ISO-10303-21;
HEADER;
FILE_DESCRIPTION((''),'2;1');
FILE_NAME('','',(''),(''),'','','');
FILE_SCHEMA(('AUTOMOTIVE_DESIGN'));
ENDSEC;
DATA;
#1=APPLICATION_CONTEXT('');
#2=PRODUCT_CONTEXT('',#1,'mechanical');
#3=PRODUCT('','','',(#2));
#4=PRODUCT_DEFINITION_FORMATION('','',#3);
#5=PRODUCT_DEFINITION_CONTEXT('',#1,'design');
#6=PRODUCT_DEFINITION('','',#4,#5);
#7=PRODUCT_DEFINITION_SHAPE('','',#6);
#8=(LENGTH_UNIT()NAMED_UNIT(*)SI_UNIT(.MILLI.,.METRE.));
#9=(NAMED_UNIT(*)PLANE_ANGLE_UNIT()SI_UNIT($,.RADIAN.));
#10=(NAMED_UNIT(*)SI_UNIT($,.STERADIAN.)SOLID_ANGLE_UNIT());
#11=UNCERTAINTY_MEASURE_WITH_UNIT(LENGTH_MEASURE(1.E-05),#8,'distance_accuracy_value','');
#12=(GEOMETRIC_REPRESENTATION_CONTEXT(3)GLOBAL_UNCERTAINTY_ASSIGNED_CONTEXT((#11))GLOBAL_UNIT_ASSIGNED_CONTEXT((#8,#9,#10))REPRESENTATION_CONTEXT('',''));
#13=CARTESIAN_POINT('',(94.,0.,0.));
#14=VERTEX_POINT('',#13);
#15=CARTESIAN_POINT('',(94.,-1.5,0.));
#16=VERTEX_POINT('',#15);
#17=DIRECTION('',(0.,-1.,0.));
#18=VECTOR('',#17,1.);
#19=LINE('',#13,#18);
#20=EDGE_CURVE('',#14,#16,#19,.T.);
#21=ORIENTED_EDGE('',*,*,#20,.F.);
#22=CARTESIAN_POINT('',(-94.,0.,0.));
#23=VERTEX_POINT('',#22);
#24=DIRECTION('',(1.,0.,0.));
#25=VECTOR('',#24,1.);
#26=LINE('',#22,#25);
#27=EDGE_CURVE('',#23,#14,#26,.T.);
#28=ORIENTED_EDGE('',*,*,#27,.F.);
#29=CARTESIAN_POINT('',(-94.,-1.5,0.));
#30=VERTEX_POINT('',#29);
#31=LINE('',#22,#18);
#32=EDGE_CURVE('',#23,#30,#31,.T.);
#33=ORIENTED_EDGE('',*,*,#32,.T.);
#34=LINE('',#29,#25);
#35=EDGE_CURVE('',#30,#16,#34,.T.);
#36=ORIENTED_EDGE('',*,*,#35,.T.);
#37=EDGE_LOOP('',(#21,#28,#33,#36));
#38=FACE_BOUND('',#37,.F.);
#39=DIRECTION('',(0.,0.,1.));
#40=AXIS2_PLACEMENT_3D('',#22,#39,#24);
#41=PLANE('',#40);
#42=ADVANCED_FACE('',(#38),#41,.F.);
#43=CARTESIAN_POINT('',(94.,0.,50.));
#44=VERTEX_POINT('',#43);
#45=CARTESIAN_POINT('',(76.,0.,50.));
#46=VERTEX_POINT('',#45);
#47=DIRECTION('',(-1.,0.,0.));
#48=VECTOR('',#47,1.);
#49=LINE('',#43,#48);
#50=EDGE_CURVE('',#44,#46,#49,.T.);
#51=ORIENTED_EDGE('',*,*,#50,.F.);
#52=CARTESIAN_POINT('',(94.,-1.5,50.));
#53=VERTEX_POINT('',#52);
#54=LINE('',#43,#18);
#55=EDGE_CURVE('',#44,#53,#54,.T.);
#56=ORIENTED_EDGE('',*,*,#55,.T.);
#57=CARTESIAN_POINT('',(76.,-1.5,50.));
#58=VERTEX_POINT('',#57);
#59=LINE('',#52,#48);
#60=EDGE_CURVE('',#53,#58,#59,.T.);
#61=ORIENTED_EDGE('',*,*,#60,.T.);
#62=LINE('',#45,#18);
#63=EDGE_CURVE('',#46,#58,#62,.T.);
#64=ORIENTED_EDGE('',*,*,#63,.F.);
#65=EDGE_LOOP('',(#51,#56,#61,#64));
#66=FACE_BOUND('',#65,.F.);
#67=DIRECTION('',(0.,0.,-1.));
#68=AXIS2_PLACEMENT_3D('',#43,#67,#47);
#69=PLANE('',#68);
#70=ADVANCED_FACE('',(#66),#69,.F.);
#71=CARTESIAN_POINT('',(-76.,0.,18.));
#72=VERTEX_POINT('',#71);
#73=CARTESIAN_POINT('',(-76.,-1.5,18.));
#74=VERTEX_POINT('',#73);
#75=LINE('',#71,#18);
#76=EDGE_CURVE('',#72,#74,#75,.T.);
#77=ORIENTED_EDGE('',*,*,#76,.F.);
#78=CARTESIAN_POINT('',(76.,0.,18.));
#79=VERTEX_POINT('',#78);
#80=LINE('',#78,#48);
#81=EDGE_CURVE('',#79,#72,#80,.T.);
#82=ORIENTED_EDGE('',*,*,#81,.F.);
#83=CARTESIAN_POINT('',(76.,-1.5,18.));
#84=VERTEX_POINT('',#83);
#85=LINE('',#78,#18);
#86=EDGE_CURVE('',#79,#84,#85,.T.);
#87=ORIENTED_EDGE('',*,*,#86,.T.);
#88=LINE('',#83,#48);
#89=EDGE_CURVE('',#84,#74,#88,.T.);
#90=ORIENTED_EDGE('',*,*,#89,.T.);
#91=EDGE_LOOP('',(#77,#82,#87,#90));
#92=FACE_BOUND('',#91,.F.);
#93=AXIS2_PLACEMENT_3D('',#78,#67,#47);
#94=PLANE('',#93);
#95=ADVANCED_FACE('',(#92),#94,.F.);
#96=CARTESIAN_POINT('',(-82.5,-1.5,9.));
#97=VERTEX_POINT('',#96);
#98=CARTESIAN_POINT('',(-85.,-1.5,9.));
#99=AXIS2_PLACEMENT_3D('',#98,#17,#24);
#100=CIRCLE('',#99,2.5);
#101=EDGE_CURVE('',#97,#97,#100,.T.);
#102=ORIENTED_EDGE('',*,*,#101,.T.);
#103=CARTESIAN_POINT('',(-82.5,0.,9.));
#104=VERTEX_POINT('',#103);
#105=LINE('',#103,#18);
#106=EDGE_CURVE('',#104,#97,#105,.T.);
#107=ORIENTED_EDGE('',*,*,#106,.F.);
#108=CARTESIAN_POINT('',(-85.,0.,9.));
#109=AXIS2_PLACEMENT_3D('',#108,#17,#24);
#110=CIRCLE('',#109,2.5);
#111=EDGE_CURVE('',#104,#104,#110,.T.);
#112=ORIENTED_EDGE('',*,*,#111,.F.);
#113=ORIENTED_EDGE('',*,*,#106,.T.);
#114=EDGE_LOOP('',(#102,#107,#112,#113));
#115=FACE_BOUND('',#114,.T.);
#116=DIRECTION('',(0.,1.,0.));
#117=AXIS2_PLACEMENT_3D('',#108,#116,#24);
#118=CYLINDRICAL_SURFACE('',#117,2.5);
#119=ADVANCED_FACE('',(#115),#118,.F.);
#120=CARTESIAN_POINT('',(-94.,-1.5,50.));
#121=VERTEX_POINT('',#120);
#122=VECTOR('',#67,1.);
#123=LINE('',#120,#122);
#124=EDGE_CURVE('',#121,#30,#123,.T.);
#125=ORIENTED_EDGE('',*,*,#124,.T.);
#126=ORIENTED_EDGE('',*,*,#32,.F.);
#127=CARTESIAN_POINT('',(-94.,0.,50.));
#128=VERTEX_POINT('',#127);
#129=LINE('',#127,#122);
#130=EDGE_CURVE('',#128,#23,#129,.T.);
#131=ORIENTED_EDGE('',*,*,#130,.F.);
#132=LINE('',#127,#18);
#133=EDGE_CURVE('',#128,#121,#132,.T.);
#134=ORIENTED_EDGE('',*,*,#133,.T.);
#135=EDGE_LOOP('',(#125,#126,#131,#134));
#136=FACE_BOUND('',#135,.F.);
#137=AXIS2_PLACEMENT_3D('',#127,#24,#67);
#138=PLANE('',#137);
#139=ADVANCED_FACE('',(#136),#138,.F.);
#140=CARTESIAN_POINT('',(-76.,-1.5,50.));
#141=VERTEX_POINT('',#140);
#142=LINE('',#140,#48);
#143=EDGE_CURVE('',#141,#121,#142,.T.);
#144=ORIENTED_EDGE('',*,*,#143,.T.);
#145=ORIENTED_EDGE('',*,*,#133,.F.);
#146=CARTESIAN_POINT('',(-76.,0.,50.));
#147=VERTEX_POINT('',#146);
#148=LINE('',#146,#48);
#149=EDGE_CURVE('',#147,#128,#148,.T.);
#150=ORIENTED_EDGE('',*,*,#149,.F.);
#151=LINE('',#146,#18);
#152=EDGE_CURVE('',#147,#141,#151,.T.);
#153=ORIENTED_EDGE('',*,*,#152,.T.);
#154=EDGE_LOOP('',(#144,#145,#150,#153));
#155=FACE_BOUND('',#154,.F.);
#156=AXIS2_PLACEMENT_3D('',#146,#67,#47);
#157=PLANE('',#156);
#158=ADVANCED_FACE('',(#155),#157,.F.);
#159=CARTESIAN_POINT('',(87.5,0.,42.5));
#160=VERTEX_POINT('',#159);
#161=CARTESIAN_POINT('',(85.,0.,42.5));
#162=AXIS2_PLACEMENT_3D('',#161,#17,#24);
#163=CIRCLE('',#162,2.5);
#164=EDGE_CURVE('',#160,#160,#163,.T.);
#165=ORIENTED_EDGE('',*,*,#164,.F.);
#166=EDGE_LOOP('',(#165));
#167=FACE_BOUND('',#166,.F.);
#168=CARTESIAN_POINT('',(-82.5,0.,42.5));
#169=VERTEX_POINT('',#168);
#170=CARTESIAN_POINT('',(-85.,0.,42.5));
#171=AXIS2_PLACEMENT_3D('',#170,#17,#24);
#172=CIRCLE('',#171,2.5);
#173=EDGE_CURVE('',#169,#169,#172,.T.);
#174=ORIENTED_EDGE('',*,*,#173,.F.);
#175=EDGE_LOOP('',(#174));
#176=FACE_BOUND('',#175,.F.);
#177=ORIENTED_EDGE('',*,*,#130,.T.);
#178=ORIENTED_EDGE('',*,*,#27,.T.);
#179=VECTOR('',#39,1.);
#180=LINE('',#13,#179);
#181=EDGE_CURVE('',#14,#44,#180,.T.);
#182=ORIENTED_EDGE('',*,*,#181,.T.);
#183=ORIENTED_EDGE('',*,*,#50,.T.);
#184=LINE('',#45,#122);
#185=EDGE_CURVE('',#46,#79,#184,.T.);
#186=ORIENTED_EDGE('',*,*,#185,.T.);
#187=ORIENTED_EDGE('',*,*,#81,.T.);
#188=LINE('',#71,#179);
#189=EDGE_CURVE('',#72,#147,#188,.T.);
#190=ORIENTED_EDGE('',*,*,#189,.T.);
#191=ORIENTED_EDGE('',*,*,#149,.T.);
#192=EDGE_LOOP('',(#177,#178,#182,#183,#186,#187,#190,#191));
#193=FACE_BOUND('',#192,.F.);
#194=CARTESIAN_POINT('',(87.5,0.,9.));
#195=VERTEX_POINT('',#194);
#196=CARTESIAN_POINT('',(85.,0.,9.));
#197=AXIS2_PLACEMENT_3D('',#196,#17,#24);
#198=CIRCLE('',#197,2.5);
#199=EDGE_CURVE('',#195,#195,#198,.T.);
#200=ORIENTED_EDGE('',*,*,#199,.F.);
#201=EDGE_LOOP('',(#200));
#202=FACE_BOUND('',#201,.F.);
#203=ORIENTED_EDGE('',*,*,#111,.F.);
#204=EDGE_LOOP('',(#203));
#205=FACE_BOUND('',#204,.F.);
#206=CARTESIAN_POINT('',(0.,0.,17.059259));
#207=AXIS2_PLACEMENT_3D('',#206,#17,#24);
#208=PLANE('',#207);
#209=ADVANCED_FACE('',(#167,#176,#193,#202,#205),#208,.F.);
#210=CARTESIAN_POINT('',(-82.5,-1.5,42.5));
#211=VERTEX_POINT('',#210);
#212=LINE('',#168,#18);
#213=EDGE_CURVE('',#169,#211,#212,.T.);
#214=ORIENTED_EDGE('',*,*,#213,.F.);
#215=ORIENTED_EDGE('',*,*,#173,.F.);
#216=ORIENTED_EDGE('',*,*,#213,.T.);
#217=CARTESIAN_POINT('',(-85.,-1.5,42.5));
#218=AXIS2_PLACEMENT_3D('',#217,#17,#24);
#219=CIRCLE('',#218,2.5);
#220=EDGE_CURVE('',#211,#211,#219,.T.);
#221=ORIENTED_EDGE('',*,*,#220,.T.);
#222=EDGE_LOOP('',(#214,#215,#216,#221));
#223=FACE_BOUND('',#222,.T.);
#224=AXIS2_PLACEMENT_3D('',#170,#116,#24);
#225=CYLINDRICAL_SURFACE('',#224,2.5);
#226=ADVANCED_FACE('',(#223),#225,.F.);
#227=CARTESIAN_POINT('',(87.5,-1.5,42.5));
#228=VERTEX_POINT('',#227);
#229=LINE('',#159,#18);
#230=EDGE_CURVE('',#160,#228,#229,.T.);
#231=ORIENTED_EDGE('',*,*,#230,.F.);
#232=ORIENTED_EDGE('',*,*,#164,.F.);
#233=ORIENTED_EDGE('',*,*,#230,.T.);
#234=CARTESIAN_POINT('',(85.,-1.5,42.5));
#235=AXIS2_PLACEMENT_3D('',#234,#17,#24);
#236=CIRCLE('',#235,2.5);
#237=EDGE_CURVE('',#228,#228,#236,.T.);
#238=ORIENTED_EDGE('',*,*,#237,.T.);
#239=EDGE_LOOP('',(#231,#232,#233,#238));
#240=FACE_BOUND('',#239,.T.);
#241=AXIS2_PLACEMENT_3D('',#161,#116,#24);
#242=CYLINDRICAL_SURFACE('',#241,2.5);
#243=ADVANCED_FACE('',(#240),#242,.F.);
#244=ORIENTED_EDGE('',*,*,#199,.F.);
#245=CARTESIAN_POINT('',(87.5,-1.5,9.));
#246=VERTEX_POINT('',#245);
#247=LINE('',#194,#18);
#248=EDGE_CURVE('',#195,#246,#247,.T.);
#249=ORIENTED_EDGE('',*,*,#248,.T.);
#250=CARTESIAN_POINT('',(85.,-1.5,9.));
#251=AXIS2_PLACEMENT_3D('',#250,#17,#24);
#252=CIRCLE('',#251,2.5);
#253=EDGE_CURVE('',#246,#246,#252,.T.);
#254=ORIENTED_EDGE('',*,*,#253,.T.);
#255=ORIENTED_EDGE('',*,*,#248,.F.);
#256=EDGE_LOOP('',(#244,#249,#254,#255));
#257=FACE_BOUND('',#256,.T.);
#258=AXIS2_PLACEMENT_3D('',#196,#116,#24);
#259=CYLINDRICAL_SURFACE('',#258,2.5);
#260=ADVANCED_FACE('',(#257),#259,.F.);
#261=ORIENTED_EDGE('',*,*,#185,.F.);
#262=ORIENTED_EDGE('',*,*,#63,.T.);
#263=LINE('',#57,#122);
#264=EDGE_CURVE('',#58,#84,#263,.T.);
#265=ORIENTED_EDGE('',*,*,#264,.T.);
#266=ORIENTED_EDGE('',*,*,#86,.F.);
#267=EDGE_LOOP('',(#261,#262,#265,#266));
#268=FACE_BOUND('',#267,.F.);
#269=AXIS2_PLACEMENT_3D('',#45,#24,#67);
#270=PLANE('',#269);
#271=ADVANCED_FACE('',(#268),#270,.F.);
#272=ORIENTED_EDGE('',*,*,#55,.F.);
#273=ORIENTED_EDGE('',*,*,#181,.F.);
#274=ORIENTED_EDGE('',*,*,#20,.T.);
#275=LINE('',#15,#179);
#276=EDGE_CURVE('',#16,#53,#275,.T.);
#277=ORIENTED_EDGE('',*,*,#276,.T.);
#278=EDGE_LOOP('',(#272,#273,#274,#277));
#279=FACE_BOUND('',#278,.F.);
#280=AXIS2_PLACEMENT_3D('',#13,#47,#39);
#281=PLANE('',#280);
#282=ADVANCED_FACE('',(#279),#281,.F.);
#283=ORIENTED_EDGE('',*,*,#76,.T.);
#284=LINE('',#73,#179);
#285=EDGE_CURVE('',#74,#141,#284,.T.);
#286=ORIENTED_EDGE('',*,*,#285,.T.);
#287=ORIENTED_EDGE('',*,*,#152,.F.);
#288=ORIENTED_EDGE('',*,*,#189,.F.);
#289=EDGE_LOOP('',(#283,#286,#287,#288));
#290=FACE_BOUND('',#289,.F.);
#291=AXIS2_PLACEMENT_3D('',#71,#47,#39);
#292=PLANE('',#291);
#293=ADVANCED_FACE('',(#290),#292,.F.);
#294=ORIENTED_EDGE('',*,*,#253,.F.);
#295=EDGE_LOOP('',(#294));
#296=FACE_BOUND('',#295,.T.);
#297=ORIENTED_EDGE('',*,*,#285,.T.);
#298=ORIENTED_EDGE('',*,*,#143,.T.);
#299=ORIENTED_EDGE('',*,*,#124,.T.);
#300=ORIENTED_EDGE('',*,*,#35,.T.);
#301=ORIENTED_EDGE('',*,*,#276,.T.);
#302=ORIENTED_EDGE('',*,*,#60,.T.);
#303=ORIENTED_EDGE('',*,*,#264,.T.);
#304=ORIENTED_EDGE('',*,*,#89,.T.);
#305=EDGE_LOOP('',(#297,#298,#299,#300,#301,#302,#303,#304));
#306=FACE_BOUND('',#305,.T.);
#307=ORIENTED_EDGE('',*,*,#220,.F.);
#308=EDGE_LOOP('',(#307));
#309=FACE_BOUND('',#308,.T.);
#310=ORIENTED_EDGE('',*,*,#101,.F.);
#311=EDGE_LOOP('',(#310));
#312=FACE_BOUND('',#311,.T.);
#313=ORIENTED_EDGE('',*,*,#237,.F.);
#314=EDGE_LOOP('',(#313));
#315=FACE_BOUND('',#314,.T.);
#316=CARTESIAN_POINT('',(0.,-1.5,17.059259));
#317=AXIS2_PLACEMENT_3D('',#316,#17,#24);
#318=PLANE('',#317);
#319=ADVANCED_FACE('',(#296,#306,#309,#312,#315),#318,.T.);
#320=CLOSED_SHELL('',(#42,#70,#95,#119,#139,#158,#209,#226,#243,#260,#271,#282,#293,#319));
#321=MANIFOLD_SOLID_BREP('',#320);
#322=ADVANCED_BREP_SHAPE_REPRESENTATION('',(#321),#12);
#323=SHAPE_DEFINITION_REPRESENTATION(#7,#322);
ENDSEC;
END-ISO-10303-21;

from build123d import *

# Parameters (mm, degrees)
F0_R     = 2.5
F1_DEPTH = 1.5


with BuildPart() as f1:
    # F0 (on Front) → F1 (new body)
    with BuildSketch(Plane.XZ):
        Polygon((-94, 0), (0, 0), (94, 0), (94, 50), (76, 50), (76, 18), (0, 18), (-76, 18), (-76, 50), (-94, 50), align=None)
        with Locations((-85, 9)):
            Circle(F0_R, mode=Mode.SUBTRACT)
        with Locations((85, 9)):
            Circle(F0_R, mode=Mode.SUBTRACT)
        with Locations((-85, 42.5)):
            Circle(F0_R, mode=Mode.SUBTRACT)
        with Locations((85, 42.5)):
            Circle(F0_R, mode=Mode.SUBTRACT)
    extrude(amount=F1_DEPTH)


solid = f1.part
